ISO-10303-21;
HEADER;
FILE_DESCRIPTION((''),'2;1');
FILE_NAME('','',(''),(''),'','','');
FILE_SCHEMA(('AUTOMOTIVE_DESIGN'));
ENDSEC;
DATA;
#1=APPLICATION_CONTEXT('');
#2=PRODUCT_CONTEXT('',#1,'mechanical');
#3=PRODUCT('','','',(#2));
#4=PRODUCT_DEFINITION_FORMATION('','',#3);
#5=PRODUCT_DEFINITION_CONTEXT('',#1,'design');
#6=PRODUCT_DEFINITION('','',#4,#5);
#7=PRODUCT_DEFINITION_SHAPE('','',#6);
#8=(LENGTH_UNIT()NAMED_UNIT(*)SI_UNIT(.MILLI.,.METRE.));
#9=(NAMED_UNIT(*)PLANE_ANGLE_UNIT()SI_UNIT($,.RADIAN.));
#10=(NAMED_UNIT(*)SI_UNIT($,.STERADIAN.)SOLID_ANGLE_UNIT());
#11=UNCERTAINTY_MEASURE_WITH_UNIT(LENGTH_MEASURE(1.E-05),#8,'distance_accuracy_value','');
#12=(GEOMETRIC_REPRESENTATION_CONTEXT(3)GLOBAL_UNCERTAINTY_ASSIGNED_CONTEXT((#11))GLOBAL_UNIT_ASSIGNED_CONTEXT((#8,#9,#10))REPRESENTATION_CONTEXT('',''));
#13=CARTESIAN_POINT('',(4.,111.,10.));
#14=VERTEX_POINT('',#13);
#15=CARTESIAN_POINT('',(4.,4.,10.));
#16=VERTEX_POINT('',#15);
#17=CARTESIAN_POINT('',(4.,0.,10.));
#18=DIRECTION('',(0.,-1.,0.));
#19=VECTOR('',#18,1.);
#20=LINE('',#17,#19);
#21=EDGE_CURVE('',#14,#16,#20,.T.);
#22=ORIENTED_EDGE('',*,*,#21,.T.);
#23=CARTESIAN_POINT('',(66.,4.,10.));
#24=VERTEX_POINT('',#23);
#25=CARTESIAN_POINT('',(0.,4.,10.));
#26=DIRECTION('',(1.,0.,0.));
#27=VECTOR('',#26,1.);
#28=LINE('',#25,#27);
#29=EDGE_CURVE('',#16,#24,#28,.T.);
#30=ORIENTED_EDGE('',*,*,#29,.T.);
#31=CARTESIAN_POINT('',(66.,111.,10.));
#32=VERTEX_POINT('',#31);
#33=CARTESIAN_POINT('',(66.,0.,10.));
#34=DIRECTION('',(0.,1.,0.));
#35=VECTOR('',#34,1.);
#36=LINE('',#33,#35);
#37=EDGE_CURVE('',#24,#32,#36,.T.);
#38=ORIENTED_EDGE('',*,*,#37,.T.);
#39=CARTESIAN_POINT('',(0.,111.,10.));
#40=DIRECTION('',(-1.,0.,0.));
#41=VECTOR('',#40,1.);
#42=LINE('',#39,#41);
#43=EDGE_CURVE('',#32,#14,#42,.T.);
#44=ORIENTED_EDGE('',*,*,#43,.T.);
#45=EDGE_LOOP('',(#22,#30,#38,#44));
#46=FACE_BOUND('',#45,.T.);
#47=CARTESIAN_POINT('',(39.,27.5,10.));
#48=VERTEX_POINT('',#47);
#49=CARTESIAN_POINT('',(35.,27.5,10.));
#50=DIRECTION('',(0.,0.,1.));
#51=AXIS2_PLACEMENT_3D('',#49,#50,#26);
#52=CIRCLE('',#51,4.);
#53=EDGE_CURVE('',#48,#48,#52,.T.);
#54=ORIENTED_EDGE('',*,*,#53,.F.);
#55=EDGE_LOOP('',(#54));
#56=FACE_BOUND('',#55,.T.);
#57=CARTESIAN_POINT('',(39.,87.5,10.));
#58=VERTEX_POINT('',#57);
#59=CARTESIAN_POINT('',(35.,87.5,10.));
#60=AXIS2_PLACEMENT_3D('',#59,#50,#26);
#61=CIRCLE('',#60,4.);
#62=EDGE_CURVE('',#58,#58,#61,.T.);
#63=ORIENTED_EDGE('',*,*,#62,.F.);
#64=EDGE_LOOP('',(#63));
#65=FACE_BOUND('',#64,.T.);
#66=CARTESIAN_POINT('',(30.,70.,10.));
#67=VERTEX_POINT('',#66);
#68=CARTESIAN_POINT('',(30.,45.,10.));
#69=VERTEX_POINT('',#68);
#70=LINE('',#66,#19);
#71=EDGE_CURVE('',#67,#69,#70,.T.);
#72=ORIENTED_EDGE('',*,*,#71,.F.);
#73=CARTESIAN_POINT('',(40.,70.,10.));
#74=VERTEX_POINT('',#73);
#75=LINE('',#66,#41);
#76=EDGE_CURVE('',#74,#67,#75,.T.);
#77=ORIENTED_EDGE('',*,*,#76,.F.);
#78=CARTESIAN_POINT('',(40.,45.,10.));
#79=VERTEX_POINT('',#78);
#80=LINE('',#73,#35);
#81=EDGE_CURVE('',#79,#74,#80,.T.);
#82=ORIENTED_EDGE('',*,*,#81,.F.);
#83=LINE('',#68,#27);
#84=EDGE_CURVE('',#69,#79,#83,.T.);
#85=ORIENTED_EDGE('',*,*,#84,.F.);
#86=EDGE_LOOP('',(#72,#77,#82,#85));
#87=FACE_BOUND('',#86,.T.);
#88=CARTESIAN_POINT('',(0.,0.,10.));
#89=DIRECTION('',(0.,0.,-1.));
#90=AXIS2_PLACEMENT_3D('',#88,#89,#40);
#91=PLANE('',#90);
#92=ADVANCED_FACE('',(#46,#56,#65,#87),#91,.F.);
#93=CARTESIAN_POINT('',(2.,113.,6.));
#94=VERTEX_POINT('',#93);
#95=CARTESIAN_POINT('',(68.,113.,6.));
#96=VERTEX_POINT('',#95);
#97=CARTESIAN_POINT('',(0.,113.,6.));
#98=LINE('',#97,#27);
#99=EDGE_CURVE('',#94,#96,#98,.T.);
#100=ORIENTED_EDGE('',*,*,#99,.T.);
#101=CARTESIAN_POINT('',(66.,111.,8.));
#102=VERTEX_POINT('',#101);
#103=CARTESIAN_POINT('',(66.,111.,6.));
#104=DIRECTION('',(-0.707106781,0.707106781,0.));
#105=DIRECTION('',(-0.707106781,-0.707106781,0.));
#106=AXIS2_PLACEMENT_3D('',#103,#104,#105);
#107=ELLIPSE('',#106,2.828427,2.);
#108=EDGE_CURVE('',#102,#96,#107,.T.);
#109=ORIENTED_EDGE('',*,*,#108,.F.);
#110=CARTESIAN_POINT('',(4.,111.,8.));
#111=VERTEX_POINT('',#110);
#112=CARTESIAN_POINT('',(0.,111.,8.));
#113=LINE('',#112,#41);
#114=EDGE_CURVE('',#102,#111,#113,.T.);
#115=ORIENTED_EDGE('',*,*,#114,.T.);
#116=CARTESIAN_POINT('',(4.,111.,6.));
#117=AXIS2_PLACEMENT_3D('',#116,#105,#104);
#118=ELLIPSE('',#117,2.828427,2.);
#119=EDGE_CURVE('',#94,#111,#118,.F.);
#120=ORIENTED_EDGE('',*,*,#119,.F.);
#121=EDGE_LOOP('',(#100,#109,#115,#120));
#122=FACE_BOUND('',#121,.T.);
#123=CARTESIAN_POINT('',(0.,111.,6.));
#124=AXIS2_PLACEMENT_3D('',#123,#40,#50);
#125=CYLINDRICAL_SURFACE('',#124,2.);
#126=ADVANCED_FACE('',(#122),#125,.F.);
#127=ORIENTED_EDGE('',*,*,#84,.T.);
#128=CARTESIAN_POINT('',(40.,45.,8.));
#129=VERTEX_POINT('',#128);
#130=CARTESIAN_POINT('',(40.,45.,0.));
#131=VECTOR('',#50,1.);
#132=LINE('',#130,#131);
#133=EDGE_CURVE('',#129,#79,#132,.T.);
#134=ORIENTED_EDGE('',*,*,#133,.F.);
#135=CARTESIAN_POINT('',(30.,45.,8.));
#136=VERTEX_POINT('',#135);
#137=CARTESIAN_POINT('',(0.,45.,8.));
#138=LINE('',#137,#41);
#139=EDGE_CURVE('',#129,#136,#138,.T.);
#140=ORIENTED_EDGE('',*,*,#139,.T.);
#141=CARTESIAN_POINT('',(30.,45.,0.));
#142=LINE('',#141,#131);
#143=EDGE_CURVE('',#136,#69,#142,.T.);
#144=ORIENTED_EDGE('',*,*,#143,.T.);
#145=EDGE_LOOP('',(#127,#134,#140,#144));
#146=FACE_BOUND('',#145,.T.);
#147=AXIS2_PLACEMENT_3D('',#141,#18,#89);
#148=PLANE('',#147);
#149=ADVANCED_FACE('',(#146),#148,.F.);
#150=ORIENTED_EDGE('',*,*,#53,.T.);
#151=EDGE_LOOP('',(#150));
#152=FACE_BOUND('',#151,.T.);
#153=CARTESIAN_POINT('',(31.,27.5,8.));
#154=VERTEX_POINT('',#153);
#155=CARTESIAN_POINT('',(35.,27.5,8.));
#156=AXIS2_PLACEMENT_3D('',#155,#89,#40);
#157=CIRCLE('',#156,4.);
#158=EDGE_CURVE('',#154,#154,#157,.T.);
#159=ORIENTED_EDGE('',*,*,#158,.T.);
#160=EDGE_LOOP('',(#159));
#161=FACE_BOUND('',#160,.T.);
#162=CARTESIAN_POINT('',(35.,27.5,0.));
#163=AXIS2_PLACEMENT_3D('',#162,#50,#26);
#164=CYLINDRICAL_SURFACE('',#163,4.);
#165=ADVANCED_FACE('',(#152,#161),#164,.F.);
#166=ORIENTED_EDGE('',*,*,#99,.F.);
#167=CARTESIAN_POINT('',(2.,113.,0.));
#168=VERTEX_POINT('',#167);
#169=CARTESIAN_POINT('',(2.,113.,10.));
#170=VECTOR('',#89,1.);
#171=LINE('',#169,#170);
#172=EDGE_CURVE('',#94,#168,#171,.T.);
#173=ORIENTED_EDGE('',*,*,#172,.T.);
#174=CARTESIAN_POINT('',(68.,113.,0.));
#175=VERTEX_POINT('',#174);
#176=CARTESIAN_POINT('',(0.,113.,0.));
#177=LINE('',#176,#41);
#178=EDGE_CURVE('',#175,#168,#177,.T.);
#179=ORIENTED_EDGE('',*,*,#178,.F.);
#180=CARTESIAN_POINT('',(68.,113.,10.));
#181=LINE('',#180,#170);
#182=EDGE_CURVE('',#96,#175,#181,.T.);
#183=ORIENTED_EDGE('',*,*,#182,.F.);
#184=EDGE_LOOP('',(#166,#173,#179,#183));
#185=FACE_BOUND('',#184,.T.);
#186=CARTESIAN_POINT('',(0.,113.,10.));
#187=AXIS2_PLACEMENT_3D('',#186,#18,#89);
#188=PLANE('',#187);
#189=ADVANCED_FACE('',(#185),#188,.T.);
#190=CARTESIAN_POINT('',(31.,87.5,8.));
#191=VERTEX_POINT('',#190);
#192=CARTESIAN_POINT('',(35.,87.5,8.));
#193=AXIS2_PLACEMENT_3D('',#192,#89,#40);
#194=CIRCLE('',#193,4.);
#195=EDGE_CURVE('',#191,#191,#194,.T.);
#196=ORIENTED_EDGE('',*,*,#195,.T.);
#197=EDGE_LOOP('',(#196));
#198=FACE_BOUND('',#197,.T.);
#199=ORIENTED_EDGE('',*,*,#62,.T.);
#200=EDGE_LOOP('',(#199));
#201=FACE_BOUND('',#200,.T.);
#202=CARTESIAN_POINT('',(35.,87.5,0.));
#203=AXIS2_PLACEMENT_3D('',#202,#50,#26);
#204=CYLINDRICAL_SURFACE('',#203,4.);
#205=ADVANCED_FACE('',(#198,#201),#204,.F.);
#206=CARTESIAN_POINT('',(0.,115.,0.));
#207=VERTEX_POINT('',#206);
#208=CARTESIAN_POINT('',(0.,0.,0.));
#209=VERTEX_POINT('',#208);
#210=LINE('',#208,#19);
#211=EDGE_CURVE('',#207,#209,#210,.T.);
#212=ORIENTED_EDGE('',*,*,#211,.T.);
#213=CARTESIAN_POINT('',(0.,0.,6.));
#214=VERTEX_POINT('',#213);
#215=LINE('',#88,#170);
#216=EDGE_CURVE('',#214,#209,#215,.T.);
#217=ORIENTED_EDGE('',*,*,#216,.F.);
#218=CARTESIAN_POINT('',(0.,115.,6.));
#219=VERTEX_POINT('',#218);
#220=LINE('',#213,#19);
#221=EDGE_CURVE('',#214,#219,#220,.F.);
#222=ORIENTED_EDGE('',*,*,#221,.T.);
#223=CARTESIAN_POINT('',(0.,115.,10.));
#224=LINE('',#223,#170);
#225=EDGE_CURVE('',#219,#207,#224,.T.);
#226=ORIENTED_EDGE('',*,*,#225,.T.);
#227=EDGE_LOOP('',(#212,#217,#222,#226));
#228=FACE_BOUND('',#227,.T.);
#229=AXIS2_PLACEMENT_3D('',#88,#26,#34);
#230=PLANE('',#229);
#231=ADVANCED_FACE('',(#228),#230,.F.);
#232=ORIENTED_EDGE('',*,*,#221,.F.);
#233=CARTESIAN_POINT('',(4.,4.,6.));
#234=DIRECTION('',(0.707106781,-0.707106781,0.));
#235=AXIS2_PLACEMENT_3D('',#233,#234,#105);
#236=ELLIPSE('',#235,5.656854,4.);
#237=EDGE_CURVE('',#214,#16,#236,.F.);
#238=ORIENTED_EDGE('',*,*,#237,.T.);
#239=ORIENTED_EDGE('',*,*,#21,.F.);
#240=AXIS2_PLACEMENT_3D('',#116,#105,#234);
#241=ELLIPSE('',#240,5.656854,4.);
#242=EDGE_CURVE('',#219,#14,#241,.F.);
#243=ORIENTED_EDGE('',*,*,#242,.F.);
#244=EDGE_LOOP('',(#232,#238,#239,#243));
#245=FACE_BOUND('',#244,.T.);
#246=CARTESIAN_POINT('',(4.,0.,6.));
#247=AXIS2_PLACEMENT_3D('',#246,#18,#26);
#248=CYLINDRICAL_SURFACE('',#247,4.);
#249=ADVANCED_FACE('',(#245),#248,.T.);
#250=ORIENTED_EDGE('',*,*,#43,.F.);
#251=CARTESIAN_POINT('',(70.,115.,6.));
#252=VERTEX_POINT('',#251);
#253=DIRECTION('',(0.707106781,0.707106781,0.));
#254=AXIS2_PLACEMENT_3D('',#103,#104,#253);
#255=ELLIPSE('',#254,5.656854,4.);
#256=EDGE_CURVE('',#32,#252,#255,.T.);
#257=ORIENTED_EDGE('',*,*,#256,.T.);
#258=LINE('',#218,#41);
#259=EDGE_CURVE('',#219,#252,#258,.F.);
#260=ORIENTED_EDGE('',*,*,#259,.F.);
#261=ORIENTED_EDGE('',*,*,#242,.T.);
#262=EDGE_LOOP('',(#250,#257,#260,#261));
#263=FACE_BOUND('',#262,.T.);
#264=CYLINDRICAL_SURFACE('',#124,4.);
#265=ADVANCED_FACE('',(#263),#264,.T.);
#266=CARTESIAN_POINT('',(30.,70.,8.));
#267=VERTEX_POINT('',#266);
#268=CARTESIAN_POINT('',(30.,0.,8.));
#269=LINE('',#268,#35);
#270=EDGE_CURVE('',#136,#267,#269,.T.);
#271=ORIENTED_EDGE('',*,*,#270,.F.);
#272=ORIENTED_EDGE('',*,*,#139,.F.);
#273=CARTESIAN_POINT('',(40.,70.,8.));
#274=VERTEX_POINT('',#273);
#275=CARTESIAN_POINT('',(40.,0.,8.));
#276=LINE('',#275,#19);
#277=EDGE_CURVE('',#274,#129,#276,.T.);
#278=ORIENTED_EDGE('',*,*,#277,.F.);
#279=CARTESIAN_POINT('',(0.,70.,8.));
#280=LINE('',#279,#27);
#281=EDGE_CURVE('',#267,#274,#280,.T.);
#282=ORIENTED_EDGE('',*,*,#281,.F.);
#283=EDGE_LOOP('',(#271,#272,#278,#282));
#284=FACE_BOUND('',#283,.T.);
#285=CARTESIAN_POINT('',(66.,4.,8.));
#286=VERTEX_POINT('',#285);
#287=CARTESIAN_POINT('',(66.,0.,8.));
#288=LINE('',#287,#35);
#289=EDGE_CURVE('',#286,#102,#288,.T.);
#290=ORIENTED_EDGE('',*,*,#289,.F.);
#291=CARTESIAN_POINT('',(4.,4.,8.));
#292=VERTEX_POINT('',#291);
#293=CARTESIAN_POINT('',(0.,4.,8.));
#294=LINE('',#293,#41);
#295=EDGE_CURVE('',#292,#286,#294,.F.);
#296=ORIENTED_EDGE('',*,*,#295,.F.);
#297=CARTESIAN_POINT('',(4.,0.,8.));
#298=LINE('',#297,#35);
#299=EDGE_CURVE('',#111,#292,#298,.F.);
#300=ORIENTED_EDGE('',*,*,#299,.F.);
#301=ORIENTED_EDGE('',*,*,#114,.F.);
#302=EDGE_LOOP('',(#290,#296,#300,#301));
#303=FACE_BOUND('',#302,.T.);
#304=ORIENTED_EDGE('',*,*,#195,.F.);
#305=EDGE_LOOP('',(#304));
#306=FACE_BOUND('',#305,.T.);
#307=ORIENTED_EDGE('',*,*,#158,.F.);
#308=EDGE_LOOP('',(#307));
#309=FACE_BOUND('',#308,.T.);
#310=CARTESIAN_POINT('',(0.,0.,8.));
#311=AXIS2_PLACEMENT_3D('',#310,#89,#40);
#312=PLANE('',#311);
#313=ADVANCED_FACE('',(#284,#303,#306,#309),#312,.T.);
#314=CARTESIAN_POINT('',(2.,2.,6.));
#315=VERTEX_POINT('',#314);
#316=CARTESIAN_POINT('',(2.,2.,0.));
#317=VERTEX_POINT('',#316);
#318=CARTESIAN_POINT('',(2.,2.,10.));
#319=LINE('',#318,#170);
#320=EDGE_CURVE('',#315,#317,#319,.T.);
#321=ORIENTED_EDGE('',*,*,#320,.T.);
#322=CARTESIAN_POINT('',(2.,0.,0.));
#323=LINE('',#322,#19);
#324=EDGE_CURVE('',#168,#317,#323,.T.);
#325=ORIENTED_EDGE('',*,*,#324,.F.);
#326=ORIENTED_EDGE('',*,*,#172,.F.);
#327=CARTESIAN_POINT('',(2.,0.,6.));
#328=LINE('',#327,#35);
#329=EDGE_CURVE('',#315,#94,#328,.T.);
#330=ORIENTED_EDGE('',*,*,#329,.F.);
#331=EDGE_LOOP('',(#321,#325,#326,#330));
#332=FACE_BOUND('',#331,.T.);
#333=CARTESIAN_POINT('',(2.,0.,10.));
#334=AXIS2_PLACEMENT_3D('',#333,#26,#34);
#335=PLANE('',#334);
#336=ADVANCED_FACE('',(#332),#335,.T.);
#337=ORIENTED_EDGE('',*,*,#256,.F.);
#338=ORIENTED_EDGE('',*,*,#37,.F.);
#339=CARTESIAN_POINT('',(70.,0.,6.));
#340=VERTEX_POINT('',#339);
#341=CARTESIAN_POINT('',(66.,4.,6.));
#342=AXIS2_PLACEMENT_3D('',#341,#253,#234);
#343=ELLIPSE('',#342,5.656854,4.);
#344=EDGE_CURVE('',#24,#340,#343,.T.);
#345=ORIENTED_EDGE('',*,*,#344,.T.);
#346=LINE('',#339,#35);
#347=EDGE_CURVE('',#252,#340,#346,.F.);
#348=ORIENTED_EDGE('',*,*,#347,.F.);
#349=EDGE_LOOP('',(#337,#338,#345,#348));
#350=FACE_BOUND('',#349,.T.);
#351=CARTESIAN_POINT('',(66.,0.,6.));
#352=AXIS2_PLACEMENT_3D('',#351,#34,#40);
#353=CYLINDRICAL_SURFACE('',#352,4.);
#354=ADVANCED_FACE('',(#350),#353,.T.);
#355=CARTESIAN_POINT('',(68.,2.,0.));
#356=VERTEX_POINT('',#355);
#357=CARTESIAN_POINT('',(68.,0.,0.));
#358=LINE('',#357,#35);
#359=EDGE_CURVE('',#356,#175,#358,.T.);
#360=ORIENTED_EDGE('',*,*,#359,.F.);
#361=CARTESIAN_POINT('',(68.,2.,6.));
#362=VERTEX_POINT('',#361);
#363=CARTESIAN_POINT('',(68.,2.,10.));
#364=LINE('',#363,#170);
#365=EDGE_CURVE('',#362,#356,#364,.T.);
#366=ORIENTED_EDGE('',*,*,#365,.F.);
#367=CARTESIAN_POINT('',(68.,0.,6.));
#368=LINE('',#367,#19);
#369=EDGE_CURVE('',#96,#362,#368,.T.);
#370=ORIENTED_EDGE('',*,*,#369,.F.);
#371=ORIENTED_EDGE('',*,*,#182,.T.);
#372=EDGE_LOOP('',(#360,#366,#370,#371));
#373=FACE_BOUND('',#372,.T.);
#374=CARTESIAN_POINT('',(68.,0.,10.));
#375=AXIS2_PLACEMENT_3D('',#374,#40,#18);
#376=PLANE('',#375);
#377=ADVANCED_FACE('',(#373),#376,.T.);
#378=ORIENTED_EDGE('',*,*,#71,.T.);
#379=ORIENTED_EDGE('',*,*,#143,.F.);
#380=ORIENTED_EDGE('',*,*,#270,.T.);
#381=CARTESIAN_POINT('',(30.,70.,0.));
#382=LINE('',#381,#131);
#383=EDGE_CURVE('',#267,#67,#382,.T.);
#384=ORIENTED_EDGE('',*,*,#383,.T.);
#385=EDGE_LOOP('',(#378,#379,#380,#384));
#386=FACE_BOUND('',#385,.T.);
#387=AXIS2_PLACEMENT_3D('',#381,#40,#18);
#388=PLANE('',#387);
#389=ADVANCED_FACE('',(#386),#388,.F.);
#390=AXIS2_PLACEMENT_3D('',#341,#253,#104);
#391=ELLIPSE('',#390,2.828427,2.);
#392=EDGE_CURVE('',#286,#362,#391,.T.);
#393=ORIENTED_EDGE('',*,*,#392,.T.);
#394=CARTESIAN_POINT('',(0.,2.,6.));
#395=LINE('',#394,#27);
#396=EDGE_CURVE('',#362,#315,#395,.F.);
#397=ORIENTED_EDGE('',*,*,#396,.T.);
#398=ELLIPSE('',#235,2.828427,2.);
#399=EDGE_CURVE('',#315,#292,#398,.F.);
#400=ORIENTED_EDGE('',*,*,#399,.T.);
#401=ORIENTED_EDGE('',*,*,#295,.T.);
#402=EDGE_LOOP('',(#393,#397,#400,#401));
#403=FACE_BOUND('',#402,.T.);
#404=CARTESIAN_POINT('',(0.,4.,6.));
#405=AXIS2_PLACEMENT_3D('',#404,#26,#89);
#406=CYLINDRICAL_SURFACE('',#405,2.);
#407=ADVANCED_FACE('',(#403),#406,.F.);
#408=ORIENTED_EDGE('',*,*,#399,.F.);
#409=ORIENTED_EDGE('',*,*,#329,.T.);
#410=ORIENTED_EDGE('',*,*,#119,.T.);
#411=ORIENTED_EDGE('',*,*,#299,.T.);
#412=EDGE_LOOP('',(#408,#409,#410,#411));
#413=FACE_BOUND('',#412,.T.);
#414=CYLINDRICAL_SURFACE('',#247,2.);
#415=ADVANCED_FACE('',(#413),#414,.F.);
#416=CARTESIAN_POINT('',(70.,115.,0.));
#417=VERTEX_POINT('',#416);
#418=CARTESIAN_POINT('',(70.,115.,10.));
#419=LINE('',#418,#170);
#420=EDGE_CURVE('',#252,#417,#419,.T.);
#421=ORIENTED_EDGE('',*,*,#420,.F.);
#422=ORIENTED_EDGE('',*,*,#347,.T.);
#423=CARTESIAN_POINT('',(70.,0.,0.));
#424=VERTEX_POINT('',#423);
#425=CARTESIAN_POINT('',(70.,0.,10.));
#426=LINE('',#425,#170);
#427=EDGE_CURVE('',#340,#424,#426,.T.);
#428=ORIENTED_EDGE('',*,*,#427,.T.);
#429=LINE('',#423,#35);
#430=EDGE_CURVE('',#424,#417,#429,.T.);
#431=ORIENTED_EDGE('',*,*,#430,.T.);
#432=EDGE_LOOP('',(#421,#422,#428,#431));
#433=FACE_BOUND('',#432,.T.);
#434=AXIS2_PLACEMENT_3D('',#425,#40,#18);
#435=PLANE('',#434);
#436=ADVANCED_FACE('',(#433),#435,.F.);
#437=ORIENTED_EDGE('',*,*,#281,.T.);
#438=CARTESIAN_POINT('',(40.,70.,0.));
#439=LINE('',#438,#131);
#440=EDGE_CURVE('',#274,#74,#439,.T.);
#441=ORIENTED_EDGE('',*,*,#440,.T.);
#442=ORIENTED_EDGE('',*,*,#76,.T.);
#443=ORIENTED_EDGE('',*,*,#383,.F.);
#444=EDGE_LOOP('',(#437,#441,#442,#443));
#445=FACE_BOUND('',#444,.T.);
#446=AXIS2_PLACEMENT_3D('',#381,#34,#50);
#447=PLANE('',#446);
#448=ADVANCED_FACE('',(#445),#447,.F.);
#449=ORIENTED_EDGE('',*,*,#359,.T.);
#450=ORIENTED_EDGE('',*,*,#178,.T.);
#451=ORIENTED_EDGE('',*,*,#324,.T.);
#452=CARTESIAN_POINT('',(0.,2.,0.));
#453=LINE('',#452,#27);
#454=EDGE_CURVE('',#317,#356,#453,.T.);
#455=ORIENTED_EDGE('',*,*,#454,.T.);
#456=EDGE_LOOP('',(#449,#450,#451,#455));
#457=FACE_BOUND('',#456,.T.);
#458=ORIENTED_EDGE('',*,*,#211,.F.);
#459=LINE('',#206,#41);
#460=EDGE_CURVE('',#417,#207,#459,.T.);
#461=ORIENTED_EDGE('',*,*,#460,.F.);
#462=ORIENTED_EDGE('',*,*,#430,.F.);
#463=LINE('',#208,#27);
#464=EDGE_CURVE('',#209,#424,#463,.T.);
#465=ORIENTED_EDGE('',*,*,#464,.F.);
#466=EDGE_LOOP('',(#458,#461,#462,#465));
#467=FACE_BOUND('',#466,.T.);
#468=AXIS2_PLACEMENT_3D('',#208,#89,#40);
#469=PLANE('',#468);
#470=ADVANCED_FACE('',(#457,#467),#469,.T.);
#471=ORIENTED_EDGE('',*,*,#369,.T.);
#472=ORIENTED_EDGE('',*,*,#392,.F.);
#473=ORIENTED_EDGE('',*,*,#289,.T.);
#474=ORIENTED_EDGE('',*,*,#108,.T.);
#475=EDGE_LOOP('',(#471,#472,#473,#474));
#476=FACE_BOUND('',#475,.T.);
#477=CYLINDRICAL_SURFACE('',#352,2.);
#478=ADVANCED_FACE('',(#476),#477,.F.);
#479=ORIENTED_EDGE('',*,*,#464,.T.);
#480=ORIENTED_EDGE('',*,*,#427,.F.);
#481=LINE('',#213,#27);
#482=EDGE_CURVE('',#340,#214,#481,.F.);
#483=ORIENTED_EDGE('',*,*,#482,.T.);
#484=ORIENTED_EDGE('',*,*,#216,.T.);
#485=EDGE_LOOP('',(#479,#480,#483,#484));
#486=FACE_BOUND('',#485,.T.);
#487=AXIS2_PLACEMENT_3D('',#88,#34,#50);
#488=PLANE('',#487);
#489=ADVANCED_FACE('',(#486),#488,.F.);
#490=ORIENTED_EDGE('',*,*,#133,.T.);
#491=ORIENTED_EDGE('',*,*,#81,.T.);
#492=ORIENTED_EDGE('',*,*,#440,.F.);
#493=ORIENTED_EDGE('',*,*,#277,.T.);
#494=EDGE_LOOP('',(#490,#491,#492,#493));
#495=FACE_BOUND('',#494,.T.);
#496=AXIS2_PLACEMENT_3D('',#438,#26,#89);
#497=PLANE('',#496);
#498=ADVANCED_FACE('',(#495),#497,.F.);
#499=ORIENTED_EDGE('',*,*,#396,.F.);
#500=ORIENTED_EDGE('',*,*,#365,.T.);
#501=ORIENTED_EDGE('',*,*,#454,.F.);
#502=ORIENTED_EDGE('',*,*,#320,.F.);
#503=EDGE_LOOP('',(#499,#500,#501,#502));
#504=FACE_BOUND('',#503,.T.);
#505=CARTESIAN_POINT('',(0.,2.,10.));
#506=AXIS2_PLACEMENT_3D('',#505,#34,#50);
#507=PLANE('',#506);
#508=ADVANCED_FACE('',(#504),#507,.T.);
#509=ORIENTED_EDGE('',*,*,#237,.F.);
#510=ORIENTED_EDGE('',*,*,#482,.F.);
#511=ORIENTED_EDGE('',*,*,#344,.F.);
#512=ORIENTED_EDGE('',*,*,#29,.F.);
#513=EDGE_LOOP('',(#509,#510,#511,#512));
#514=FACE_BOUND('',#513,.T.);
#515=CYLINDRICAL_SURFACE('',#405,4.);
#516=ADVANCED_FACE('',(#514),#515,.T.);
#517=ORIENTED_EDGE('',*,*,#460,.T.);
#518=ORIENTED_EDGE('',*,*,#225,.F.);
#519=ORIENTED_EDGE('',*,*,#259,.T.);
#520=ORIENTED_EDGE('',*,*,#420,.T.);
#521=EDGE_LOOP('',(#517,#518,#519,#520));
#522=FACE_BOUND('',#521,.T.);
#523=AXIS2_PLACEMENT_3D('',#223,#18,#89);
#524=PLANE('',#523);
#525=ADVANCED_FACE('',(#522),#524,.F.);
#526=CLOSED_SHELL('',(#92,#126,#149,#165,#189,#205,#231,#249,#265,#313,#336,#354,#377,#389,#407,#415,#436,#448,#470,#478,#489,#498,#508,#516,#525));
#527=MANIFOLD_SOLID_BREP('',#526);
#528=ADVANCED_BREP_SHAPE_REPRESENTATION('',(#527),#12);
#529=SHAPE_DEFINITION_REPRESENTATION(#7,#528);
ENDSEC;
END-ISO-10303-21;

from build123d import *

# Parameters (mm, degrees)
CROQUIS2_W              = 70
CROQUIS2_H              = 115
SALIENTE_EXTRUIR1_DEPTH = 10
REDONDEO1_R             = 4
VACIADO1_T              = -2
CROQUIS3_R              = 4
CROQUIS3_W              = 10
CROQUIS3_H              = 25
CORTAR_EXTRUIR1_DEPTH   = 10


with BuildPart() as part:
    # Croquis2 → Saliente-Extruir1 (new body)
    with BuildSketch(Plane.XY):
        with Locations((35, 57.5)):
            Rectangle(CROQUIS2_W, CROQUIS2_H)
    extrude(amount=SALIENTE_EXTRUIR1_DEPTH)

    # Redondeo1
    redondeo1_edges = [part.edges().sort_by_distance(p)[0] for p in [
        (70, 57.5, 10),
        (35, 115, 10),
        (0, 57.5, 10),
        (35, 0, 10),
    ]]
    fillet(redondeo1_edges, radius=REDONDEO1_R)

    # Vaciado1
    vaciado1_openings = [part.faces().sort_by_distance(p)[0] for p in [
        (35, 57.5, 0),
    ]]
    offset(amount=VACIADO1_T, openings=vaciado1_openings)

    # Croquis3 → Cortar-Extruir1 (cut)
    with BuildSketch(Plane.XY.offset(10)):
        with Locations((35, 87.5)):
            Circle(CROQUIS3_R)
        with Locations((35, 27.5)):
            Circle(CROQUIS3_R)
        with Locations((35, 57.5)):
            Rectangle(CROQUIS3_W, CROQUIS3_H)
    extrude(amount=-CORTAR_EXTRUIR1_DEPTH, mode=Mode.SUBTRACT)


solid = part.part
